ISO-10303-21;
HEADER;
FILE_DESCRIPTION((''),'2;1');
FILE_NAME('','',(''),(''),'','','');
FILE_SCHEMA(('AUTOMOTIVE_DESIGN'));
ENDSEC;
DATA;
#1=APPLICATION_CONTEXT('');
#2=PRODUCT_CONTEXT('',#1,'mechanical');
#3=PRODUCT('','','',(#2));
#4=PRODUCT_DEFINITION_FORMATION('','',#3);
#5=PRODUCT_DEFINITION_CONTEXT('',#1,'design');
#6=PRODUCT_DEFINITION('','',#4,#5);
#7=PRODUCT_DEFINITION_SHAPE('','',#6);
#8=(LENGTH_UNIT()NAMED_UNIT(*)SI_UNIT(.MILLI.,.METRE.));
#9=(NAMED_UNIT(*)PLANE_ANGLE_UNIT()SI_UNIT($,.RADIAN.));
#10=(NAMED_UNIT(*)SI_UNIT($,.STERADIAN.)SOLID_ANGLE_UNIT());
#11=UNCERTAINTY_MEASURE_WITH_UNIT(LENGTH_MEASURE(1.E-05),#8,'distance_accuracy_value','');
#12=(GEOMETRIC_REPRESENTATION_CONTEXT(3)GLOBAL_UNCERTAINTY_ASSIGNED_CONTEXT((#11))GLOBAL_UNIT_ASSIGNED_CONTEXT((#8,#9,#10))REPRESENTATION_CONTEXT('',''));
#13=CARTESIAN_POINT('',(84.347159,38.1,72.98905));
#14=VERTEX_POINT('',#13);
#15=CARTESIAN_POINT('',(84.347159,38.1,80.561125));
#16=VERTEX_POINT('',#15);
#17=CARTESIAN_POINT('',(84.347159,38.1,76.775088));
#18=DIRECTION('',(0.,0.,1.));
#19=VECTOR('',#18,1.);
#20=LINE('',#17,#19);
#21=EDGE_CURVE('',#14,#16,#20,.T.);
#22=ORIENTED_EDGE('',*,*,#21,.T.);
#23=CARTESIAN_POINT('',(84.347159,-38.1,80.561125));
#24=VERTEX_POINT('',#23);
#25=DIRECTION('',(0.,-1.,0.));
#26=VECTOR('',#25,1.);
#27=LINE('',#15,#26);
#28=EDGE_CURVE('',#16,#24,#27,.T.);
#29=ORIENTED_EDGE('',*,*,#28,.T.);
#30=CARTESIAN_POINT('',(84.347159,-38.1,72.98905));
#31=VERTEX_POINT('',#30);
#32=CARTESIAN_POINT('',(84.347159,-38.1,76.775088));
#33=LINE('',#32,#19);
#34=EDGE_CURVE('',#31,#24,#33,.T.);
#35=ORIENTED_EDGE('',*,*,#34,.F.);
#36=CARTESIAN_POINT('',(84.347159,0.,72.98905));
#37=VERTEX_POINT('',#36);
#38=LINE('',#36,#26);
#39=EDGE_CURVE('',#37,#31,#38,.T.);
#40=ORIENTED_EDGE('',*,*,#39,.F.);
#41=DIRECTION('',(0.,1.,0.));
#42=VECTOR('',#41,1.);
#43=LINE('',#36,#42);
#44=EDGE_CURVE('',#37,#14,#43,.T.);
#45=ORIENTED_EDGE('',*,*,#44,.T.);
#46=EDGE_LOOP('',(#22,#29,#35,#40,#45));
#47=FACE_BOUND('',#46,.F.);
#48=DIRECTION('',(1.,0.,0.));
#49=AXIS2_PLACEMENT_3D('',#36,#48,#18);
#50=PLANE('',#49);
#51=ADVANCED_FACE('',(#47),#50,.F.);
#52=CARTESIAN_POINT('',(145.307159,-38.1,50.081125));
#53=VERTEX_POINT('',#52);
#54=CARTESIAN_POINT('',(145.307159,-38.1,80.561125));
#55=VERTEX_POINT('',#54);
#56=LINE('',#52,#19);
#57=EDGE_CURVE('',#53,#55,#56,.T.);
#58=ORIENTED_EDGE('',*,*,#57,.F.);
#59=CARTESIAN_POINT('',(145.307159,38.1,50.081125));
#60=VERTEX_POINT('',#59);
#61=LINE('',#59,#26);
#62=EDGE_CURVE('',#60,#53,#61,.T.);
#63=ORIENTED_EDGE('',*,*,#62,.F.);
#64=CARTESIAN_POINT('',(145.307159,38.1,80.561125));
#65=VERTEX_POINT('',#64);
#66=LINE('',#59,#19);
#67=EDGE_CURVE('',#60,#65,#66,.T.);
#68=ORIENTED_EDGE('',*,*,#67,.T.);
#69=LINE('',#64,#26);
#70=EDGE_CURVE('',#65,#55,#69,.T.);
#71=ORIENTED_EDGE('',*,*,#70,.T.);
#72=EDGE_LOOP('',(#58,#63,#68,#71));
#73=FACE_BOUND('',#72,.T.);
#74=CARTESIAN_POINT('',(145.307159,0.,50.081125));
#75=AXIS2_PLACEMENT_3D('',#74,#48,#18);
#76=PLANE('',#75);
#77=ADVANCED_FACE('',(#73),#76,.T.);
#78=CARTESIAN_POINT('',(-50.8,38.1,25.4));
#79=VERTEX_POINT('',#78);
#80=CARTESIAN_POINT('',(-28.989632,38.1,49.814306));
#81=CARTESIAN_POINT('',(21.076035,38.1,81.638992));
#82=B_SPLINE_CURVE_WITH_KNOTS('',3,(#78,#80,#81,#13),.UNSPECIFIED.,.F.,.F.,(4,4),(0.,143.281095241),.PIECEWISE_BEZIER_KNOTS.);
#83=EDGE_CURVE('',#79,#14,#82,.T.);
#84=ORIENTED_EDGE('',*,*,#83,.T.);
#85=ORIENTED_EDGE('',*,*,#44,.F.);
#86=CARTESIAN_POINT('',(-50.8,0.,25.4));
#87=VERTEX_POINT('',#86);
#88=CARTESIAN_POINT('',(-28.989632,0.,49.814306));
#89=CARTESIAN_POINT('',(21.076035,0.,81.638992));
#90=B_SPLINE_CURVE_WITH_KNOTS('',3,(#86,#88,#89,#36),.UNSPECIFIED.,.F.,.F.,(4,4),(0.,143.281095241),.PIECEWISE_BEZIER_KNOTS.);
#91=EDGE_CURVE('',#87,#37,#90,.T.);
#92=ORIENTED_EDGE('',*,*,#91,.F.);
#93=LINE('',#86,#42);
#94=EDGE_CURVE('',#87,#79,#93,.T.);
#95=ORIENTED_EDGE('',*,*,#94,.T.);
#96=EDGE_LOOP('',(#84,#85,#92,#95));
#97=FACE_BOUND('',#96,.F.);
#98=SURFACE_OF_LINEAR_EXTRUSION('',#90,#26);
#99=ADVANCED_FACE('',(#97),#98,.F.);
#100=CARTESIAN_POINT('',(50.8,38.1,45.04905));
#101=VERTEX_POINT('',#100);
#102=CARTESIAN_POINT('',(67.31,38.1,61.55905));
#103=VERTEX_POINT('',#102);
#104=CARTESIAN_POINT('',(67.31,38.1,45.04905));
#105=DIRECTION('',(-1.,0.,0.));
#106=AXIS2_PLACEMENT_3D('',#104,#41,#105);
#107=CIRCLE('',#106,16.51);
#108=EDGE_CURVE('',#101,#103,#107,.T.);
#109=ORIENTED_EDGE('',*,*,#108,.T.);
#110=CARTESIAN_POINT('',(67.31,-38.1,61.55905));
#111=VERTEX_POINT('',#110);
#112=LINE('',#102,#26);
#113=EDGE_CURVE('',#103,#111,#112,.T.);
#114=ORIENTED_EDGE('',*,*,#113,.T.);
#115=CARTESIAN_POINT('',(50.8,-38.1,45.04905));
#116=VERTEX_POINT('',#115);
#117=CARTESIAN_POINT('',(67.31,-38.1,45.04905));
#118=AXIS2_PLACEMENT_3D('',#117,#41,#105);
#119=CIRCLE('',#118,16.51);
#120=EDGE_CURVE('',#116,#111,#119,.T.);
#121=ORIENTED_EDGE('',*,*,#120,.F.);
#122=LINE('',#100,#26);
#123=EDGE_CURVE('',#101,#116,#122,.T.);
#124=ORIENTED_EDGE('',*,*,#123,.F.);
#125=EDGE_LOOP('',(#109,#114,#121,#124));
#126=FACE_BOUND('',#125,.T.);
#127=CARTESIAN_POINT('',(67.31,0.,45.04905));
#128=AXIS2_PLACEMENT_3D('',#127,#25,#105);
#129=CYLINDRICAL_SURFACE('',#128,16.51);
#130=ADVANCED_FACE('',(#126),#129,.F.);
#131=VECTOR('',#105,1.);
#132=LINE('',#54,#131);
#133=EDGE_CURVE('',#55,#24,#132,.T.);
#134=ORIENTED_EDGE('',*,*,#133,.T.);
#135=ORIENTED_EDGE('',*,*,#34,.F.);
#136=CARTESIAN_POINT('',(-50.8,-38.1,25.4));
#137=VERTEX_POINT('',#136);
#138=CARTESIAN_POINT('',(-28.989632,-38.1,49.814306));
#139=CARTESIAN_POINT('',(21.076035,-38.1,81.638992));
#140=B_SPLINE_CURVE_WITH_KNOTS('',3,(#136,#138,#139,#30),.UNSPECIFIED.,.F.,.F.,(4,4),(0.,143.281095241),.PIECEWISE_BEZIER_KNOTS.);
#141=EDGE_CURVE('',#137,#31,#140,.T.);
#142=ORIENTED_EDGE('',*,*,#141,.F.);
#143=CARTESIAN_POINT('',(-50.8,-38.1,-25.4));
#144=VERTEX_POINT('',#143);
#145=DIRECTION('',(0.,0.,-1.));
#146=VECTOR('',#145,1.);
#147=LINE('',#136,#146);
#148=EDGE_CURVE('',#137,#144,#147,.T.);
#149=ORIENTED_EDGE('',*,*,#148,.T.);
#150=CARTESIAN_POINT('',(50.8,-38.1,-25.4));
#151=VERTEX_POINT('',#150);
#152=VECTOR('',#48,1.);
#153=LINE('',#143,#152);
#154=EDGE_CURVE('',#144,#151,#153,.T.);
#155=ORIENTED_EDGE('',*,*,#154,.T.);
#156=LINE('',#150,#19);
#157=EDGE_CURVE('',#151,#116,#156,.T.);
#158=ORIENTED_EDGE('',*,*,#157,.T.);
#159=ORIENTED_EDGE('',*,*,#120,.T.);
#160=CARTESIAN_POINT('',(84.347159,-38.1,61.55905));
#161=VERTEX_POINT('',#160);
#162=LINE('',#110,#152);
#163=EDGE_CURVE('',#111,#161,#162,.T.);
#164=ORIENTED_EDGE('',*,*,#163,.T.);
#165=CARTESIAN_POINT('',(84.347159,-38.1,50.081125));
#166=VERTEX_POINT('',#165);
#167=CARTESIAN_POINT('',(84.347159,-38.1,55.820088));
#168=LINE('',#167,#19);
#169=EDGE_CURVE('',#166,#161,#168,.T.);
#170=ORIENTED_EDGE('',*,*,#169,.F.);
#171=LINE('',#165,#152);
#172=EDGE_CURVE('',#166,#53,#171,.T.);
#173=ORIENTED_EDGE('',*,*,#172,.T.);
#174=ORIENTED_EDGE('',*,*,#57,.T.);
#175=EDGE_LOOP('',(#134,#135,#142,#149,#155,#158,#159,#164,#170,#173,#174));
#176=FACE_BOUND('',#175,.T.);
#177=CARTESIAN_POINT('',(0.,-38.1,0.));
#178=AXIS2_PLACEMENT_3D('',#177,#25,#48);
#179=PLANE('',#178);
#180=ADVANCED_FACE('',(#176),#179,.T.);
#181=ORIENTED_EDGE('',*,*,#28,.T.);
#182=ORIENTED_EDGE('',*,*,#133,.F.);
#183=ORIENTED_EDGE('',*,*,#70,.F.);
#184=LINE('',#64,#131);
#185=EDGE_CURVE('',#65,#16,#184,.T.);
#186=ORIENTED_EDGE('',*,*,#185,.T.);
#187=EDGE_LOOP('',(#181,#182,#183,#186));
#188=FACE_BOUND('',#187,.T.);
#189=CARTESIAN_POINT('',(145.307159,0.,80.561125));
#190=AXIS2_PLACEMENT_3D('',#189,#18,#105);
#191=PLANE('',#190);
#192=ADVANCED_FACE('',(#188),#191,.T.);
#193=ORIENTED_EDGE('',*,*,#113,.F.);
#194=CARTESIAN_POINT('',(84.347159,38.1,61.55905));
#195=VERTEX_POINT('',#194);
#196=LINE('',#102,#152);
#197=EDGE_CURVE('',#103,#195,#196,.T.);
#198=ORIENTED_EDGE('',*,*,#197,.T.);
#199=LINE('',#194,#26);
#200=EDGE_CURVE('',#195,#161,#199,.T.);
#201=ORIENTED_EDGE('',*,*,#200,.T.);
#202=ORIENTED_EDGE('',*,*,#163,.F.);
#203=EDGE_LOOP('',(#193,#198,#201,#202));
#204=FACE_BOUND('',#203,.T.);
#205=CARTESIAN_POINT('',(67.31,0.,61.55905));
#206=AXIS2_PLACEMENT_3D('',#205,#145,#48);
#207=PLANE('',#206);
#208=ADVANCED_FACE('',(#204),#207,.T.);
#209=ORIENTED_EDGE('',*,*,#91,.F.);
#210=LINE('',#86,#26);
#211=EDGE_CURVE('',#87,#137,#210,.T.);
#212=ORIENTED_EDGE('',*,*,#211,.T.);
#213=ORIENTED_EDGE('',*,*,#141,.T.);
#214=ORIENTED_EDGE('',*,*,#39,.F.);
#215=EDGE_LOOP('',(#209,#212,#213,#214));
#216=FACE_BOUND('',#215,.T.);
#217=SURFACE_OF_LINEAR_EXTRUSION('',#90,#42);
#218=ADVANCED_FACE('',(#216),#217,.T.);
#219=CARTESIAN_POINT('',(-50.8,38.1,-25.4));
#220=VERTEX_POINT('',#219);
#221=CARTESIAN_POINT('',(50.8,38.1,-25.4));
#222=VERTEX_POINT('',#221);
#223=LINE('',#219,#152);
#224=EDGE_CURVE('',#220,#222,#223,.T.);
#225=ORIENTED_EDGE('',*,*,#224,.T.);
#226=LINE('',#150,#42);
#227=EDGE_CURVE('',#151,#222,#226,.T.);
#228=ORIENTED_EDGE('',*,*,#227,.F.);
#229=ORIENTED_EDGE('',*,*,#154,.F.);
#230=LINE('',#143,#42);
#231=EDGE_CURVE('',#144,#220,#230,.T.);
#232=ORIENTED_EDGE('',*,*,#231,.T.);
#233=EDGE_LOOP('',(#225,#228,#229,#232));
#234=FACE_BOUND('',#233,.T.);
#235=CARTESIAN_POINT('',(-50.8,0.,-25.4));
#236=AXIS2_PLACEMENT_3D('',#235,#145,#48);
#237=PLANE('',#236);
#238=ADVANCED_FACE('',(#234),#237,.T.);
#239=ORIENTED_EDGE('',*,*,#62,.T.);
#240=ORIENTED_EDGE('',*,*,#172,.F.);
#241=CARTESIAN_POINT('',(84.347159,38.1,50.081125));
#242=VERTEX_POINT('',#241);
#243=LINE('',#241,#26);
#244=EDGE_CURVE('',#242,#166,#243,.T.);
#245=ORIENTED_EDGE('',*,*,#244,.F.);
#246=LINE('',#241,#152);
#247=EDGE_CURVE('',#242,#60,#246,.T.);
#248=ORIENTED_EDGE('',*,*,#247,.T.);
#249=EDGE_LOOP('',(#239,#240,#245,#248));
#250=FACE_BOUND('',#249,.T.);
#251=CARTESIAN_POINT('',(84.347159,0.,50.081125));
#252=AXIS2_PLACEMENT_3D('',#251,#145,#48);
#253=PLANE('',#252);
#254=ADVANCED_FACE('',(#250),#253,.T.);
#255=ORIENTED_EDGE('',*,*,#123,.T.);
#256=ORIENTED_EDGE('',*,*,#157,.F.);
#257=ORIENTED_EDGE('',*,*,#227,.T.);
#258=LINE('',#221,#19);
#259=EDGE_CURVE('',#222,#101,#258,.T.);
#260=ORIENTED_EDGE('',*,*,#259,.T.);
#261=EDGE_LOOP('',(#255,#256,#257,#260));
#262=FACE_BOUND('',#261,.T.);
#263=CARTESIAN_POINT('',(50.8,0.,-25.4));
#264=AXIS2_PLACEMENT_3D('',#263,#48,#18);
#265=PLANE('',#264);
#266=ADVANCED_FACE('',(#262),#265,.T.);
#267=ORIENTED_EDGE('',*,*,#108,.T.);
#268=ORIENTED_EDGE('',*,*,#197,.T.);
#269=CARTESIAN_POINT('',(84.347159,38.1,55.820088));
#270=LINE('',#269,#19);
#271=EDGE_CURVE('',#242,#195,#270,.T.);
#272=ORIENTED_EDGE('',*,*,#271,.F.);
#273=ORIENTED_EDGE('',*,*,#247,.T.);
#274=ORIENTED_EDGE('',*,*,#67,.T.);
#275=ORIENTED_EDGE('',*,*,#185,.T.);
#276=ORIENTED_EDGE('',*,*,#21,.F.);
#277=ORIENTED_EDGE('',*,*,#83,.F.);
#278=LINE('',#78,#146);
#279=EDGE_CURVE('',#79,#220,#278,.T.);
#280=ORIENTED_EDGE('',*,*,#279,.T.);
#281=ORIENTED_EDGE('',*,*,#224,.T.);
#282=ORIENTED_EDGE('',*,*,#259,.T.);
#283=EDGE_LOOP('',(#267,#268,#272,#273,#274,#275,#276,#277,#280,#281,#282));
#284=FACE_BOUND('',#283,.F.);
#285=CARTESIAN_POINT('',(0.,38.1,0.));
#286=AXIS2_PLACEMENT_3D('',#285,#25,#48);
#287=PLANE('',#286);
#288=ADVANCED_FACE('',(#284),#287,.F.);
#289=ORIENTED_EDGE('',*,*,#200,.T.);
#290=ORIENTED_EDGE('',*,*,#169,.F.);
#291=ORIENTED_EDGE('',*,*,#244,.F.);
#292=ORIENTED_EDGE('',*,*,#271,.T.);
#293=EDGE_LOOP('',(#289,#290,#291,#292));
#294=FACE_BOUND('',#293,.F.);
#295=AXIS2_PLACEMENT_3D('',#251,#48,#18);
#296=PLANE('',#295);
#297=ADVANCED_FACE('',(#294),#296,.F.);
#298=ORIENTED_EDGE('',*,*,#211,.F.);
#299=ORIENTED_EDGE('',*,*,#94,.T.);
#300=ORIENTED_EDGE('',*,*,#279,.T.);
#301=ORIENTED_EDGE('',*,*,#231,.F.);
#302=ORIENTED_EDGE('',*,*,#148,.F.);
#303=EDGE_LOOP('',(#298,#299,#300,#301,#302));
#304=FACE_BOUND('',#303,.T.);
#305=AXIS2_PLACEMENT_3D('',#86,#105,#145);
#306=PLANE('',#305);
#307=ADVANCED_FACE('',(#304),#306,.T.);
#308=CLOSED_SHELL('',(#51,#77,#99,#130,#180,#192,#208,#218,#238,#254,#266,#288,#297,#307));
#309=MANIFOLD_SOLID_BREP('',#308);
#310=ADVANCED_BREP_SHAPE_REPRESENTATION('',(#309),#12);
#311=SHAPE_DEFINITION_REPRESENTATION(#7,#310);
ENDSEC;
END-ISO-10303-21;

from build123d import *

# Parameters (mm, degrees)
F0_W     = 18.5228410084
F0_H     = 11.43
F0_H_2   = 7.5720755244
F0_H_3   = 11.4779244756
F1_DEPTH = 38.1


with BuildPart() as f1:
    # F0 (on Front) → F1 (new body, symmetric)
    with BuildSketch(Plane.XZ):
        Polygon((50.8, -25.4), (50.8, 25.4), (39.37, 25.4), (-50.8, 25.4), (-50.8, -25.4), align=None)
        with BuildLine():
            Line((39.37, 25.4), (50.8, 25.4))
            Line((50.8, 25.4), (50.8, 45.0490498941))
            ThreePointArc((50.8, 45.0490498941), (55.6356670426, 56.7233828515), (67.31, 61.5590498941))
            Line((67.31, 61.5590498941), (84.3471589916, 61.5590498941))
            Line((84.3471589916, 61.5590498941), (84.3471589916, 72.9890498941))
            Line((84.3471589916, 72.9890498941), (67.31, 72.9890498941))
            ThreePointArc((67.31, 72.9890498941), (47.5534365336, 64.8056133605), (39.37, 45.0490498941))
            Line((39.37, 45.0490498941), (39.37, 25.4))
        make_face()
        with BuildLine():
            Line((-50.8, 25.4), (39.37, 25.4))
            Line((39.37, 25.4), (39.37, 45.0490498941))
            ThreePointArc((39.37, 45.0490498941), (47.5534365336, 64.8056133605), (67.31, 72.9890498941))
            Line((67.31, 72.9890498941), (84.3471589916, 72.9890498941))
            add(Edge.make_bspline(
                [(-50.8, 25.4), (-28.9896316826, 49.8143061996), (21.0760347545, 81.6389918327), (84.3471589916, 72.9890498941)],
                knots=[0, 0, 0, 0, 143.2810952405, 143.2810952405, 143.2810952405, 143.2810952405], degree=3))
        make_face()
        with Locations((93.6085794958, 67.2740498941)):
            Rectangle(F0_W, F0_H)
        with Locations((93.6085794958, 76.7750876563)):
            Rectangle(F0_W, F0_H_2)
        with Locations((93.6085794958, 55.8200876563)):
            Rectangle(F0_W, F0_H_3)
        Polygon((102.87, 80.5611254185), (102.87, 72.9890498941), (102.87, 61.5590498941), (102.87, 50.0811254185), (145.3071589916, 50.0811254185), (145.3071589916, 80.5611254185), align=None)
    extrude(amount=F1_DEPTH, both=True)


solid = f1.part
